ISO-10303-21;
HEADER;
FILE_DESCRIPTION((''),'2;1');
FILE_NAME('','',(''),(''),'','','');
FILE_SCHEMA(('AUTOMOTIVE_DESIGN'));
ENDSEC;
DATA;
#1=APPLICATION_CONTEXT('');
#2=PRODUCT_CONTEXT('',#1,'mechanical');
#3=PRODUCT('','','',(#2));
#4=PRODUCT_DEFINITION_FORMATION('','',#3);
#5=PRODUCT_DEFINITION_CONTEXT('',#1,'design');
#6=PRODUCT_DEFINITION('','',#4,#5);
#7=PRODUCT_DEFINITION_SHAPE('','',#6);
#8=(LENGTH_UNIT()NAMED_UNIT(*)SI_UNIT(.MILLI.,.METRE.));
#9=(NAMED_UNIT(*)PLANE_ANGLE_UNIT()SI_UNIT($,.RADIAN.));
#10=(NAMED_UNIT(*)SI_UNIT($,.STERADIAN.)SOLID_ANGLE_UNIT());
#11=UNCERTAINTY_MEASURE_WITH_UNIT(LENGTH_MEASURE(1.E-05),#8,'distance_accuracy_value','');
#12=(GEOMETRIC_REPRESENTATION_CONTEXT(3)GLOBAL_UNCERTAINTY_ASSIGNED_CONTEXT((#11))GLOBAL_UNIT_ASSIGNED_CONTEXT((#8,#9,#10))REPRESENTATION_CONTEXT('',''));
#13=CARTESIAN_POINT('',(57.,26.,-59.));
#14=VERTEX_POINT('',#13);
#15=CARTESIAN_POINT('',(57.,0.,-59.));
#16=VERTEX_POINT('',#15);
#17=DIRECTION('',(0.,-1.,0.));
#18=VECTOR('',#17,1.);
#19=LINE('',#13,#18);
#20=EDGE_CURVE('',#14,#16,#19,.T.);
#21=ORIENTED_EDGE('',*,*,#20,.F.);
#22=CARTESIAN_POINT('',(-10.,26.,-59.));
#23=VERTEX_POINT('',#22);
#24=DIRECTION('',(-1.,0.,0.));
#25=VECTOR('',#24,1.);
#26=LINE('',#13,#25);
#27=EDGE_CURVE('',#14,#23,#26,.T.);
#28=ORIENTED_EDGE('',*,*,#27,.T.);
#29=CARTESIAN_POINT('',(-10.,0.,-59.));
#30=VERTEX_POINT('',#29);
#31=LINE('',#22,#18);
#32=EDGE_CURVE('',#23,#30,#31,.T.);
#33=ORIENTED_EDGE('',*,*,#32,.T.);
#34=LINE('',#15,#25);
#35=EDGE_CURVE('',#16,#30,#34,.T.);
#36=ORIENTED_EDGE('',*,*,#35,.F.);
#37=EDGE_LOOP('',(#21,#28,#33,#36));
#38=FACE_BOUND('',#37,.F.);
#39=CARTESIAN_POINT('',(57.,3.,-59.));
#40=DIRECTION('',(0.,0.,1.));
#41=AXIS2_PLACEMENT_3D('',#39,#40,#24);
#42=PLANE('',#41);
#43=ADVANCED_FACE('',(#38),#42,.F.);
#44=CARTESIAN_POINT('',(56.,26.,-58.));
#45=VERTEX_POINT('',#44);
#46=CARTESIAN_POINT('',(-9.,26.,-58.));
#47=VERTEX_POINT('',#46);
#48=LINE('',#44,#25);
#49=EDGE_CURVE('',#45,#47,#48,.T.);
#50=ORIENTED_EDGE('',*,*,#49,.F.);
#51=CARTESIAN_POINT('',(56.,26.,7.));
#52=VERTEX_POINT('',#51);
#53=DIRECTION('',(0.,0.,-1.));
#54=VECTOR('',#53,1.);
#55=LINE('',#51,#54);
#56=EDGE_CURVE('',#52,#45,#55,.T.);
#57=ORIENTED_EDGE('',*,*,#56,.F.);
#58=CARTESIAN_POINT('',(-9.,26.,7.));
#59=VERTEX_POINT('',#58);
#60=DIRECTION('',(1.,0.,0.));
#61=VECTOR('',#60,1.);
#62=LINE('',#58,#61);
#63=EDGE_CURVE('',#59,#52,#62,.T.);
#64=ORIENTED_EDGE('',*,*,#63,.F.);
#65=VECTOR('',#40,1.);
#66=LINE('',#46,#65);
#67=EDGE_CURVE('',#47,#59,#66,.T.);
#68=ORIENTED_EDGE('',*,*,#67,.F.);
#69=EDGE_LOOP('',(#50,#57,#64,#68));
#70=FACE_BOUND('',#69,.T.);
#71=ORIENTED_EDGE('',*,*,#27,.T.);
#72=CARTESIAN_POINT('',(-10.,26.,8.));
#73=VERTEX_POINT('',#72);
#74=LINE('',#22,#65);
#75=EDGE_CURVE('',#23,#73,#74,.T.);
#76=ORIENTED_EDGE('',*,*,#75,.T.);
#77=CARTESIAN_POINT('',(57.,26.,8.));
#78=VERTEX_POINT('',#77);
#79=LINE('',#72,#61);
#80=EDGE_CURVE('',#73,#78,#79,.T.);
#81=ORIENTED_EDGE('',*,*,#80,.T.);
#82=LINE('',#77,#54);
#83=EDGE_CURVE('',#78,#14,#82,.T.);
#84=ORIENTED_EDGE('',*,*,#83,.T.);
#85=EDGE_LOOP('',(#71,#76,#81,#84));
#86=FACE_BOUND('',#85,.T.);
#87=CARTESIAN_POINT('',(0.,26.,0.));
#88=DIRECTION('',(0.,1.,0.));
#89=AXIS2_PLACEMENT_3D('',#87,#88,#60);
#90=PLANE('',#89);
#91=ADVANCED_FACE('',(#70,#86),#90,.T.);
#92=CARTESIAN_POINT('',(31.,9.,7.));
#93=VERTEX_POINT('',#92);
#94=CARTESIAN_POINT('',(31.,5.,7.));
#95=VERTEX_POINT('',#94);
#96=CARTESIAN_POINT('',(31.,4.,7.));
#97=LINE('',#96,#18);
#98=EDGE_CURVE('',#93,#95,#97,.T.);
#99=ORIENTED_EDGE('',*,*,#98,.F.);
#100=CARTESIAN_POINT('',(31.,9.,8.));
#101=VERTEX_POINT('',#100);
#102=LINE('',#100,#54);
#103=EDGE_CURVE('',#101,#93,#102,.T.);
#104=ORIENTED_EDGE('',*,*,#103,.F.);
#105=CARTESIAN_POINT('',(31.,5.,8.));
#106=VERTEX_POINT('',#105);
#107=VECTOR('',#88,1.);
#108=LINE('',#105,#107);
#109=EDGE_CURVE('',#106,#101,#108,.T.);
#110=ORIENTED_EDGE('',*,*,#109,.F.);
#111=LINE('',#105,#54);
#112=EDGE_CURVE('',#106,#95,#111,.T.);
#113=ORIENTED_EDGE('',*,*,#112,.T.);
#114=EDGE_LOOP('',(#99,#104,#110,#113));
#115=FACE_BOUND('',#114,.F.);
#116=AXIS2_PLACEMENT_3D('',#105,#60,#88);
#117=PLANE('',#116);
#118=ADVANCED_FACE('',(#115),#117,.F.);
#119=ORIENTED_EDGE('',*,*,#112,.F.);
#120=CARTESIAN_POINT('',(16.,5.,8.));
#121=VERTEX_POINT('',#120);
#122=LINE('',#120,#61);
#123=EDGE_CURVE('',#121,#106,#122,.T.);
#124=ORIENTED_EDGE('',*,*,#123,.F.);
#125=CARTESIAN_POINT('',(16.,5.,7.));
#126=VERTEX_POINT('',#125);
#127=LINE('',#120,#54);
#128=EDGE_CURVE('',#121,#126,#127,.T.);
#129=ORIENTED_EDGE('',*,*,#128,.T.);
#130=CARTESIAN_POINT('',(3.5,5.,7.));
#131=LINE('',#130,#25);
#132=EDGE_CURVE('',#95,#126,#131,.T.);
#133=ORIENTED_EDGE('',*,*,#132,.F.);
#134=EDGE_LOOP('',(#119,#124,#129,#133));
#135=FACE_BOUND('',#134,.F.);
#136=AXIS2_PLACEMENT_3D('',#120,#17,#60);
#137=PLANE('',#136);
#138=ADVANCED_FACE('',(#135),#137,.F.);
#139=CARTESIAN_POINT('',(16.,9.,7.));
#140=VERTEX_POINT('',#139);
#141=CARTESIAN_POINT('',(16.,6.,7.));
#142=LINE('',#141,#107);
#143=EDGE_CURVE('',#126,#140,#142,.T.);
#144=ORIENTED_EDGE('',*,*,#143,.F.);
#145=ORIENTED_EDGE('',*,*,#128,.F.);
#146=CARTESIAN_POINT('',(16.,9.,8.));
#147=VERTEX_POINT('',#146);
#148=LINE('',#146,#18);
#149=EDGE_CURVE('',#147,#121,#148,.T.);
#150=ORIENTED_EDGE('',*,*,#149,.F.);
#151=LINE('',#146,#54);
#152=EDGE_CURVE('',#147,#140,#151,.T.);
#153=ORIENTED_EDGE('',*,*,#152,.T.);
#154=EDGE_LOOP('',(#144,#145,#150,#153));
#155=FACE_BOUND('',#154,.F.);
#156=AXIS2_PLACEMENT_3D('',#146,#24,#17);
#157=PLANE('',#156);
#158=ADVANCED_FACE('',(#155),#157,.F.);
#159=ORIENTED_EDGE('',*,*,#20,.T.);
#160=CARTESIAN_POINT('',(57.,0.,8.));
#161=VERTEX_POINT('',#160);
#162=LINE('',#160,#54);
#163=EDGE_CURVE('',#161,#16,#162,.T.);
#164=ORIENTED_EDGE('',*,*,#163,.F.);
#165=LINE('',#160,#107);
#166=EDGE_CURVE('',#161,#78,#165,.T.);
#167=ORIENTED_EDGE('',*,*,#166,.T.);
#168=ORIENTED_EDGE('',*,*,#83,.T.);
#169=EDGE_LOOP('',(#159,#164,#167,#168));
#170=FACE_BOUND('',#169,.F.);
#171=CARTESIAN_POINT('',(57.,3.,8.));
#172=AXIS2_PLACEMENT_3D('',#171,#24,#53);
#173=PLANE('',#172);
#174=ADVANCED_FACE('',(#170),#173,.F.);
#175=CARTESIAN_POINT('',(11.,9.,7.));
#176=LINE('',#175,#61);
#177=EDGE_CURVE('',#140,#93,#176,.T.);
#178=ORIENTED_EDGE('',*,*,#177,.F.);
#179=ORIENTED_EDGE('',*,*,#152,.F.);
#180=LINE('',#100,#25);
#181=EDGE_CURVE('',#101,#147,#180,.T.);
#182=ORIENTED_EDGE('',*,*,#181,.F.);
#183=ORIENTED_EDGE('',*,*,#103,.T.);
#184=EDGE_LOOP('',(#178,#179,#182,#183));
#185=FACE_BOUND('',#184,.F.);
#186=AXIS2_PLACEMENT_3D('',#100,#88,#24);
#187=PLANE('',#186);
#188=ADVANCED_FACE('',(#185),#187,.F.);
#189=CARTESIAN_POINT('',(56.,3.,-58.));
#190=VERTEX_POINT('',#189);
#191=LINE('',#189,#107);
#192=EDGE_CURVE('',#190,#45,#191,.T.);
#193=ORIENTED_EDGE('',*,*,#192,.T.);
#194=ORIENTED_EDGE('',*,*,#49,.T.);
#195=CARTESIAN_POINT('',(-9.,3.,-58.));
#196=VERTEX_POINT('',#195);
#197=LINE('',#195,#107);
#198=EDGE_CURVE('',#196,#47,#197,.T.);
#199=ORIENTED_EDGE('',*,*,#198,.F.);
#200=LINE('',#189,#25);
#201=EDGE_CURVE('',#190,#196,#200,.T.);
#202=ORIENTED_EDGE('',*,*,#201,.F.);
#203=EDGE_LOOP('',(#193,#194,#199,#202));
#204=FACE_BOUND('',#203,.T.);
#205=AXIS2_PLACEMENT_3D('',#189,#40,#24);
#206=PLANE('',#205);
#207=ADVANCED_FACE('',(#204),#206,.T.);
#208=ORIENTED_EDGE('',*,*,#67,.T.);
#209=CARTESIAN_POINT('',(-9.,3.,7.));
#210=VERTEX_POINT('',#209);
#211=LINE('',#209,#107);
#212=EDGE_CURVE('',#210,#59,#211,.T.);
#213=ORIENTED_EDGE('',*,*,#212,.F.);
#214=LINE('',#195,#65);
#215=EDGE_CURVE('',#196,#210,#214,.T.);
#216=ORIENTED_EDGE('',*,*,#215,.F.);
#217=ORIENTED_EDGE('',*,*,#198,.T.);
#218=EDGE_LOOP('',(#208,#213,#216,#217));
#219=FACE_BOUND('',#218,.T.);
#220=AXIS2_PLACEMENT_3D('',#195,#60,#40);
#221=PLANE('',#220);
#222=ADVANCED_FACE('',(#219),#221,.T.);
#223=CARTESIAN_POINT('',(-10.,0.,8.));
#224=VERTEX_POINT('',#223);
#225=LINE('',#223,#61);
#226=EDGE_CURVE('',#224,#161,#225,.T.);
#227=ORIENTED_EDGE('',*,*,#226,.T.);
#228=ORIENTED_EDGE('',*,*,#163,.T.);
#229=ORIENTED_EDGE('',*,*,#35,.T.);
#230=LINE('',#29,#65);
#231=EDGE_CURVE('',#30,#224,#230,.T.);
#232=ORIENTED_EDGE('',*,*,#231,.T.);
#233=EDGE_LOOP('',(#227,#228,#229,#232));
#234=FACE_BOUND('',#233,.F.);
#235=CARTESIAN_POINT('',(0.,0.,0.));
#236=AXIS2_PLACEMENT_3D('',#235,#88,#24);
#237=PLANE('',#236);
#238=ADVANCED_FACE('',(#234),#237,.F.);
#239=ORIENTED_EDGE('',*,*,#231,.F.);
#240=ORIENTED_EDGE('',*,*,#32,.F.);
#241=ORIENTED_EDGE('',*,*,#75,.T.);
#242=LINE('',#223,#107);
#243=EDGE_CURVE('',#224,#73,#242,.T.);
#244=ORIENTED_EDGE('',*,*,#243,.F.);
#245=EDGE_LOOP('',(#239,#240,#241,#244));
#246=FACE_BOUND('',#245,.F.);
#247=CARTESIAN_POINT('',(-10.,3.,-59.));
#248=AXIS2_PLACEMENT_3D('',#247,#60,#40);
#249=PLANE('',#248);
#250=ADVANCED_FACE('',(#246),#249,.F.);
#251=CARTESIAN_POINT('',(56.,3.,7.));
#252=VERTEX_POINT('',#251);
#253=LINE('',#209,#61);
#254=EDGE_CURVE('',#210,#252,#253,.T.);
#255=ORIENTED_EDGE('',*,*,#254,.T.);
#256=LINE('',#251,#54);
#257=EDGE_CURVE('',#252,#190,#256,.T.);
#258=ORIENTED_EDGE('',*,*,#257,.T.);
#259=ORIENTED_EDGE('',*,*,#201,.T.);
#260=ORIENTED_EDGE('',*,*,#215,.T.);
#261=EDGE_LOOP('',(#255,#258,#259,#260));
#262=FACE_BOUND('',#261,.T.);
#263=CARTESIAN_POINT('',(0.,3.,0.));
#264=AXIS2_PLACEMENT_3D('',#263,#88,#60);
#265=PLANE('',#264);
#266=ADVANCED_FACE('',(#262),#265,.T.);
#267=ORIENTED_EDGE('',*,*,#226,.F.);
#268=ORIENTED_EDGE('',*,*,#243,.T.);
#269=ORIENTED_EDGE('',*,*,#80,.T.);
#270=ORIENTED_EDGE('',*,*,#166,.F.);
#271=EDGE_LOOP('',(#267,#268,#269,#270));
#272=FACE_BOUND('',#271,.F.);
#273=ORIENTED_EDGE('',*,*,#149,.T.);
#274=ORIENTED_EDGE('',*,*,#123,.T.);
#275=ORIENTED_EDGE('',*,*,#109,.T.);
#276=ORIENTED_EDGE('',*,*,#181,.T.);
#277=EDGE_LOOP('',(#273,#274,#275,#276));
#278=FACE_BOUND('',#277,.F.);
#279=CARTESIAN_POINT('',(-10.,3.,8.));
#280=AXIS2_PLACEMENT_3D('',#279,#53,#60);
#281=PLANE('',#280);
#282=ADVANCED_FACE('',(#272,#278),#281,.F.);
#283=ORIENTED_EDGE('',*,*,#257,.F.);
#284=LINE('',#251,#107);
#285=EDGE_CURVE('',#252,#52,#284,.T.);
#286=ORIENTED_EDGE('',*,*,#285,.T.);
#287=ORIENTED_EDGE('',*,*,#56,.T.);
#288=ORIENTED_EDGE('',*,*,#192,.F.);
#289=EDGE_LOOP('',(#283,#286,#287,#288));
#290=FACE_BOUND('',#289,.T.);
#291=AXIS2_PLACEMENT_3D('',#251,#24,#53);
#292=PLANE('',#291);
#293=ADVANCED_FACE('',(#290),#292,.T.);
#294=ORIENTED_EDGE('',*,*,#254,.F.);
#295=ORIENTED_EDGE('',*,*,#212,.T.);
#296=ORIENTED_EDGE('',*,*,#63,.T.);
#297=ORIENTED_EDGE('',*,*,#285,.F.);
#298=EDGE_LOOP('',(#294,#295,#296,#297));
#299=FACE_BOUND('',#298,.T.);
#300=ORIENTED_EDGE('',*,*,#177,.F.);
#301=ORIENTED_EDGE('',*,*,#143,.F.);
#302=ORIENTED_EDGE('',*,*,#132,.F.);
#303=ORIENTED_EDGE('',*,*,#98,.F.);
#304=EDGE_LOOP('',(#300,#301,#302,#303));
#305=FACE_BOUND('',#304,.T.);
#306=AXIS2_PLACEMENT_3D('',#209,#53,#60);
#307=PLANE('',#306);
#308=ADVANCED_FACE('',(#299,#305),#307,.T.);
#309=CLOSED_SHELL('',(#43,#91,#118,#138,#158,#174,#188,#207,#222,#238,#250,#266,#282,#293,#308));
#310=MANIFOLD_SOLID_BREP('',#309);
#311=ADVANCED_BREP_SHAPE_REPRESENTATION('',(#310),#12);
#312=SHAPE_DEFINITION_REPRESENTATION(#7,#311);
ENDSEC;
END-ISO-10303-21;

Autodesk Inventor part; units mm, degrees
ref_plane "YZ Plane" through (0, 0, 0) normal (1, 0, 0) x (0, 1, 0)
ref_plane "XZ Plane" through (0, 0, 0) normal (0, 1, 0) x (-1, 0, 0)
ref_plane "XY Plane" through (0, 0, 0) normal (0, 0, 1) x (1, 0, 0)
sketch "Boceto1" plane through (0, 0, 0) normal (0, 1, 0) x (-1, 0, 0)
  line L0 (9, 7) -> (-56, 7)
  line L1 (-56, 7) -> (-56, -58)
  line L2 (-56, -58) -> (9, -58)
  line L3 (9, -58) -> (9, 7)
  point P0 (0, 0)
  dimension "d0" = 65
  dimension "d1" = 65
extrude "Extrusión1" add sketch "Boceto1" along normal blind 3
sketch "Boceto2" plane through (0, 3, 0) normal (0, 1, 0) x (1, 0, 0)
  line L0 (-9, -7) -> (56, -7) projected
  line L1 (56, -7) -> (56, 58) projected
  line L2 (56, 58) -> (-9, 58) projected
  line L3 (-9, 58) -> (-9, -7) projected
  line L4 (-10, -8) -> (57, -8)
  line L5 (57, -8) -> (57, 59)
  line L6 (57, 59) -> (-10, 59)
  line L7 (-10, 59) -> (-10, -8)
  line L8 (-10, -8) -> (57, 59) construction
  line L9 (57, -8) -> (-10, 59) construction
  point P0 (0, 0)
  point P1 (23.5, 25.5)
  dimension "d4" = 67
  dimension "d5" = 67
extrude "Extrusión2" add sketch "Boceto2" against normal blind 3
sketch "Boceto3" plane through (0, 3, 0) normal (0, 1, 0) x (1, 0, 0)
  line L0 (-10, -8) -> (57, -8) projected
  line L1 (57, -8) -> (57, 59) projected
  line L2 (57, 59) -> (-10, 59) projected
  line L3 (-10, 59) -> (-10, -8) projected
  line L4 (-9, -7) -> (56, -7)
  line L5 (56, -7) -> (56, 58)
  line L6 (56, 58) -> (-9, 58)
  line L7 (-9, 58) -> (-9, -7)
  line L8 (-9, -7) -> (56, 58) construction
  line L9 (56, -7) -> (-9, 58) construction
  point P0 (0, 0)
  point P1 (23.5, 25.5)
  dimension "d8" = 65
  dimension "d9" = 65
extrude "Extrusión3" add sketch "Boceto3" along normal blind 23
sketch "Boceto4" plane through (-10, 0, 8) normal (0, 0, 1) x (1, 0, 0)
  line L0 (0, 26) -> (0, 0) projected
  line L1 (67, 0) -> (0, 0) projected
  line L2 (67, 0) -> (67, 26) projected
  line L3 (0, 26) -> (67, 26) projected
  line L4 (41, 9) -> (26, 9)
  line L5 (26, 9) -> (26, 5)
  line L6 (26, 5) -> (41, 5)
  line L7 (41, 5) -> (41, 9)
  line L8 (41, 9) -> (26, 5) construction
  line L9 (26, 9) -> (41, 5) construction
  point P0 (10, 0)
  point P1 (33.5, 7)
extrude "Extrusión4" cut sketch "Boceto4" against normal blind 50 contours L7 L6 L5 L4
sketch "Boceto6" plane through (0, 26, 0) normal (0, 1, 0) x (1, 0, 0)
  line L0 (57, 59) -> (-10, 59) projected
  line L1 (57, -8) -> (57, 59) projected
  line L2 (-10, -8) -> (57, -8) projected
  line L3 (-10, 59) -> (-10, -8) projected
  line L4 (-12.5, 61.5) -> (59.5, 61.5)
  line L5 (59.5, 61.5) -> (59.5, -10.5)
  line L6 (59.5, -10.5) -> (-12.5, -10.5)
  line L7 (-12.5, -10.5) -> (-12.5, 61.5)
  line L8 (-12.5, 61.5) -> (59.5, -10.5) construction
  line L9 (59.5, 61.5) -> (-12.5, -10.5) construction
  point P0 (0, 0)
  point P1 (23.5, 25.5)
  dimension "d14" = 72
  dimension "d15" = 72
properties part number "Cajapotenciometro_v1"
